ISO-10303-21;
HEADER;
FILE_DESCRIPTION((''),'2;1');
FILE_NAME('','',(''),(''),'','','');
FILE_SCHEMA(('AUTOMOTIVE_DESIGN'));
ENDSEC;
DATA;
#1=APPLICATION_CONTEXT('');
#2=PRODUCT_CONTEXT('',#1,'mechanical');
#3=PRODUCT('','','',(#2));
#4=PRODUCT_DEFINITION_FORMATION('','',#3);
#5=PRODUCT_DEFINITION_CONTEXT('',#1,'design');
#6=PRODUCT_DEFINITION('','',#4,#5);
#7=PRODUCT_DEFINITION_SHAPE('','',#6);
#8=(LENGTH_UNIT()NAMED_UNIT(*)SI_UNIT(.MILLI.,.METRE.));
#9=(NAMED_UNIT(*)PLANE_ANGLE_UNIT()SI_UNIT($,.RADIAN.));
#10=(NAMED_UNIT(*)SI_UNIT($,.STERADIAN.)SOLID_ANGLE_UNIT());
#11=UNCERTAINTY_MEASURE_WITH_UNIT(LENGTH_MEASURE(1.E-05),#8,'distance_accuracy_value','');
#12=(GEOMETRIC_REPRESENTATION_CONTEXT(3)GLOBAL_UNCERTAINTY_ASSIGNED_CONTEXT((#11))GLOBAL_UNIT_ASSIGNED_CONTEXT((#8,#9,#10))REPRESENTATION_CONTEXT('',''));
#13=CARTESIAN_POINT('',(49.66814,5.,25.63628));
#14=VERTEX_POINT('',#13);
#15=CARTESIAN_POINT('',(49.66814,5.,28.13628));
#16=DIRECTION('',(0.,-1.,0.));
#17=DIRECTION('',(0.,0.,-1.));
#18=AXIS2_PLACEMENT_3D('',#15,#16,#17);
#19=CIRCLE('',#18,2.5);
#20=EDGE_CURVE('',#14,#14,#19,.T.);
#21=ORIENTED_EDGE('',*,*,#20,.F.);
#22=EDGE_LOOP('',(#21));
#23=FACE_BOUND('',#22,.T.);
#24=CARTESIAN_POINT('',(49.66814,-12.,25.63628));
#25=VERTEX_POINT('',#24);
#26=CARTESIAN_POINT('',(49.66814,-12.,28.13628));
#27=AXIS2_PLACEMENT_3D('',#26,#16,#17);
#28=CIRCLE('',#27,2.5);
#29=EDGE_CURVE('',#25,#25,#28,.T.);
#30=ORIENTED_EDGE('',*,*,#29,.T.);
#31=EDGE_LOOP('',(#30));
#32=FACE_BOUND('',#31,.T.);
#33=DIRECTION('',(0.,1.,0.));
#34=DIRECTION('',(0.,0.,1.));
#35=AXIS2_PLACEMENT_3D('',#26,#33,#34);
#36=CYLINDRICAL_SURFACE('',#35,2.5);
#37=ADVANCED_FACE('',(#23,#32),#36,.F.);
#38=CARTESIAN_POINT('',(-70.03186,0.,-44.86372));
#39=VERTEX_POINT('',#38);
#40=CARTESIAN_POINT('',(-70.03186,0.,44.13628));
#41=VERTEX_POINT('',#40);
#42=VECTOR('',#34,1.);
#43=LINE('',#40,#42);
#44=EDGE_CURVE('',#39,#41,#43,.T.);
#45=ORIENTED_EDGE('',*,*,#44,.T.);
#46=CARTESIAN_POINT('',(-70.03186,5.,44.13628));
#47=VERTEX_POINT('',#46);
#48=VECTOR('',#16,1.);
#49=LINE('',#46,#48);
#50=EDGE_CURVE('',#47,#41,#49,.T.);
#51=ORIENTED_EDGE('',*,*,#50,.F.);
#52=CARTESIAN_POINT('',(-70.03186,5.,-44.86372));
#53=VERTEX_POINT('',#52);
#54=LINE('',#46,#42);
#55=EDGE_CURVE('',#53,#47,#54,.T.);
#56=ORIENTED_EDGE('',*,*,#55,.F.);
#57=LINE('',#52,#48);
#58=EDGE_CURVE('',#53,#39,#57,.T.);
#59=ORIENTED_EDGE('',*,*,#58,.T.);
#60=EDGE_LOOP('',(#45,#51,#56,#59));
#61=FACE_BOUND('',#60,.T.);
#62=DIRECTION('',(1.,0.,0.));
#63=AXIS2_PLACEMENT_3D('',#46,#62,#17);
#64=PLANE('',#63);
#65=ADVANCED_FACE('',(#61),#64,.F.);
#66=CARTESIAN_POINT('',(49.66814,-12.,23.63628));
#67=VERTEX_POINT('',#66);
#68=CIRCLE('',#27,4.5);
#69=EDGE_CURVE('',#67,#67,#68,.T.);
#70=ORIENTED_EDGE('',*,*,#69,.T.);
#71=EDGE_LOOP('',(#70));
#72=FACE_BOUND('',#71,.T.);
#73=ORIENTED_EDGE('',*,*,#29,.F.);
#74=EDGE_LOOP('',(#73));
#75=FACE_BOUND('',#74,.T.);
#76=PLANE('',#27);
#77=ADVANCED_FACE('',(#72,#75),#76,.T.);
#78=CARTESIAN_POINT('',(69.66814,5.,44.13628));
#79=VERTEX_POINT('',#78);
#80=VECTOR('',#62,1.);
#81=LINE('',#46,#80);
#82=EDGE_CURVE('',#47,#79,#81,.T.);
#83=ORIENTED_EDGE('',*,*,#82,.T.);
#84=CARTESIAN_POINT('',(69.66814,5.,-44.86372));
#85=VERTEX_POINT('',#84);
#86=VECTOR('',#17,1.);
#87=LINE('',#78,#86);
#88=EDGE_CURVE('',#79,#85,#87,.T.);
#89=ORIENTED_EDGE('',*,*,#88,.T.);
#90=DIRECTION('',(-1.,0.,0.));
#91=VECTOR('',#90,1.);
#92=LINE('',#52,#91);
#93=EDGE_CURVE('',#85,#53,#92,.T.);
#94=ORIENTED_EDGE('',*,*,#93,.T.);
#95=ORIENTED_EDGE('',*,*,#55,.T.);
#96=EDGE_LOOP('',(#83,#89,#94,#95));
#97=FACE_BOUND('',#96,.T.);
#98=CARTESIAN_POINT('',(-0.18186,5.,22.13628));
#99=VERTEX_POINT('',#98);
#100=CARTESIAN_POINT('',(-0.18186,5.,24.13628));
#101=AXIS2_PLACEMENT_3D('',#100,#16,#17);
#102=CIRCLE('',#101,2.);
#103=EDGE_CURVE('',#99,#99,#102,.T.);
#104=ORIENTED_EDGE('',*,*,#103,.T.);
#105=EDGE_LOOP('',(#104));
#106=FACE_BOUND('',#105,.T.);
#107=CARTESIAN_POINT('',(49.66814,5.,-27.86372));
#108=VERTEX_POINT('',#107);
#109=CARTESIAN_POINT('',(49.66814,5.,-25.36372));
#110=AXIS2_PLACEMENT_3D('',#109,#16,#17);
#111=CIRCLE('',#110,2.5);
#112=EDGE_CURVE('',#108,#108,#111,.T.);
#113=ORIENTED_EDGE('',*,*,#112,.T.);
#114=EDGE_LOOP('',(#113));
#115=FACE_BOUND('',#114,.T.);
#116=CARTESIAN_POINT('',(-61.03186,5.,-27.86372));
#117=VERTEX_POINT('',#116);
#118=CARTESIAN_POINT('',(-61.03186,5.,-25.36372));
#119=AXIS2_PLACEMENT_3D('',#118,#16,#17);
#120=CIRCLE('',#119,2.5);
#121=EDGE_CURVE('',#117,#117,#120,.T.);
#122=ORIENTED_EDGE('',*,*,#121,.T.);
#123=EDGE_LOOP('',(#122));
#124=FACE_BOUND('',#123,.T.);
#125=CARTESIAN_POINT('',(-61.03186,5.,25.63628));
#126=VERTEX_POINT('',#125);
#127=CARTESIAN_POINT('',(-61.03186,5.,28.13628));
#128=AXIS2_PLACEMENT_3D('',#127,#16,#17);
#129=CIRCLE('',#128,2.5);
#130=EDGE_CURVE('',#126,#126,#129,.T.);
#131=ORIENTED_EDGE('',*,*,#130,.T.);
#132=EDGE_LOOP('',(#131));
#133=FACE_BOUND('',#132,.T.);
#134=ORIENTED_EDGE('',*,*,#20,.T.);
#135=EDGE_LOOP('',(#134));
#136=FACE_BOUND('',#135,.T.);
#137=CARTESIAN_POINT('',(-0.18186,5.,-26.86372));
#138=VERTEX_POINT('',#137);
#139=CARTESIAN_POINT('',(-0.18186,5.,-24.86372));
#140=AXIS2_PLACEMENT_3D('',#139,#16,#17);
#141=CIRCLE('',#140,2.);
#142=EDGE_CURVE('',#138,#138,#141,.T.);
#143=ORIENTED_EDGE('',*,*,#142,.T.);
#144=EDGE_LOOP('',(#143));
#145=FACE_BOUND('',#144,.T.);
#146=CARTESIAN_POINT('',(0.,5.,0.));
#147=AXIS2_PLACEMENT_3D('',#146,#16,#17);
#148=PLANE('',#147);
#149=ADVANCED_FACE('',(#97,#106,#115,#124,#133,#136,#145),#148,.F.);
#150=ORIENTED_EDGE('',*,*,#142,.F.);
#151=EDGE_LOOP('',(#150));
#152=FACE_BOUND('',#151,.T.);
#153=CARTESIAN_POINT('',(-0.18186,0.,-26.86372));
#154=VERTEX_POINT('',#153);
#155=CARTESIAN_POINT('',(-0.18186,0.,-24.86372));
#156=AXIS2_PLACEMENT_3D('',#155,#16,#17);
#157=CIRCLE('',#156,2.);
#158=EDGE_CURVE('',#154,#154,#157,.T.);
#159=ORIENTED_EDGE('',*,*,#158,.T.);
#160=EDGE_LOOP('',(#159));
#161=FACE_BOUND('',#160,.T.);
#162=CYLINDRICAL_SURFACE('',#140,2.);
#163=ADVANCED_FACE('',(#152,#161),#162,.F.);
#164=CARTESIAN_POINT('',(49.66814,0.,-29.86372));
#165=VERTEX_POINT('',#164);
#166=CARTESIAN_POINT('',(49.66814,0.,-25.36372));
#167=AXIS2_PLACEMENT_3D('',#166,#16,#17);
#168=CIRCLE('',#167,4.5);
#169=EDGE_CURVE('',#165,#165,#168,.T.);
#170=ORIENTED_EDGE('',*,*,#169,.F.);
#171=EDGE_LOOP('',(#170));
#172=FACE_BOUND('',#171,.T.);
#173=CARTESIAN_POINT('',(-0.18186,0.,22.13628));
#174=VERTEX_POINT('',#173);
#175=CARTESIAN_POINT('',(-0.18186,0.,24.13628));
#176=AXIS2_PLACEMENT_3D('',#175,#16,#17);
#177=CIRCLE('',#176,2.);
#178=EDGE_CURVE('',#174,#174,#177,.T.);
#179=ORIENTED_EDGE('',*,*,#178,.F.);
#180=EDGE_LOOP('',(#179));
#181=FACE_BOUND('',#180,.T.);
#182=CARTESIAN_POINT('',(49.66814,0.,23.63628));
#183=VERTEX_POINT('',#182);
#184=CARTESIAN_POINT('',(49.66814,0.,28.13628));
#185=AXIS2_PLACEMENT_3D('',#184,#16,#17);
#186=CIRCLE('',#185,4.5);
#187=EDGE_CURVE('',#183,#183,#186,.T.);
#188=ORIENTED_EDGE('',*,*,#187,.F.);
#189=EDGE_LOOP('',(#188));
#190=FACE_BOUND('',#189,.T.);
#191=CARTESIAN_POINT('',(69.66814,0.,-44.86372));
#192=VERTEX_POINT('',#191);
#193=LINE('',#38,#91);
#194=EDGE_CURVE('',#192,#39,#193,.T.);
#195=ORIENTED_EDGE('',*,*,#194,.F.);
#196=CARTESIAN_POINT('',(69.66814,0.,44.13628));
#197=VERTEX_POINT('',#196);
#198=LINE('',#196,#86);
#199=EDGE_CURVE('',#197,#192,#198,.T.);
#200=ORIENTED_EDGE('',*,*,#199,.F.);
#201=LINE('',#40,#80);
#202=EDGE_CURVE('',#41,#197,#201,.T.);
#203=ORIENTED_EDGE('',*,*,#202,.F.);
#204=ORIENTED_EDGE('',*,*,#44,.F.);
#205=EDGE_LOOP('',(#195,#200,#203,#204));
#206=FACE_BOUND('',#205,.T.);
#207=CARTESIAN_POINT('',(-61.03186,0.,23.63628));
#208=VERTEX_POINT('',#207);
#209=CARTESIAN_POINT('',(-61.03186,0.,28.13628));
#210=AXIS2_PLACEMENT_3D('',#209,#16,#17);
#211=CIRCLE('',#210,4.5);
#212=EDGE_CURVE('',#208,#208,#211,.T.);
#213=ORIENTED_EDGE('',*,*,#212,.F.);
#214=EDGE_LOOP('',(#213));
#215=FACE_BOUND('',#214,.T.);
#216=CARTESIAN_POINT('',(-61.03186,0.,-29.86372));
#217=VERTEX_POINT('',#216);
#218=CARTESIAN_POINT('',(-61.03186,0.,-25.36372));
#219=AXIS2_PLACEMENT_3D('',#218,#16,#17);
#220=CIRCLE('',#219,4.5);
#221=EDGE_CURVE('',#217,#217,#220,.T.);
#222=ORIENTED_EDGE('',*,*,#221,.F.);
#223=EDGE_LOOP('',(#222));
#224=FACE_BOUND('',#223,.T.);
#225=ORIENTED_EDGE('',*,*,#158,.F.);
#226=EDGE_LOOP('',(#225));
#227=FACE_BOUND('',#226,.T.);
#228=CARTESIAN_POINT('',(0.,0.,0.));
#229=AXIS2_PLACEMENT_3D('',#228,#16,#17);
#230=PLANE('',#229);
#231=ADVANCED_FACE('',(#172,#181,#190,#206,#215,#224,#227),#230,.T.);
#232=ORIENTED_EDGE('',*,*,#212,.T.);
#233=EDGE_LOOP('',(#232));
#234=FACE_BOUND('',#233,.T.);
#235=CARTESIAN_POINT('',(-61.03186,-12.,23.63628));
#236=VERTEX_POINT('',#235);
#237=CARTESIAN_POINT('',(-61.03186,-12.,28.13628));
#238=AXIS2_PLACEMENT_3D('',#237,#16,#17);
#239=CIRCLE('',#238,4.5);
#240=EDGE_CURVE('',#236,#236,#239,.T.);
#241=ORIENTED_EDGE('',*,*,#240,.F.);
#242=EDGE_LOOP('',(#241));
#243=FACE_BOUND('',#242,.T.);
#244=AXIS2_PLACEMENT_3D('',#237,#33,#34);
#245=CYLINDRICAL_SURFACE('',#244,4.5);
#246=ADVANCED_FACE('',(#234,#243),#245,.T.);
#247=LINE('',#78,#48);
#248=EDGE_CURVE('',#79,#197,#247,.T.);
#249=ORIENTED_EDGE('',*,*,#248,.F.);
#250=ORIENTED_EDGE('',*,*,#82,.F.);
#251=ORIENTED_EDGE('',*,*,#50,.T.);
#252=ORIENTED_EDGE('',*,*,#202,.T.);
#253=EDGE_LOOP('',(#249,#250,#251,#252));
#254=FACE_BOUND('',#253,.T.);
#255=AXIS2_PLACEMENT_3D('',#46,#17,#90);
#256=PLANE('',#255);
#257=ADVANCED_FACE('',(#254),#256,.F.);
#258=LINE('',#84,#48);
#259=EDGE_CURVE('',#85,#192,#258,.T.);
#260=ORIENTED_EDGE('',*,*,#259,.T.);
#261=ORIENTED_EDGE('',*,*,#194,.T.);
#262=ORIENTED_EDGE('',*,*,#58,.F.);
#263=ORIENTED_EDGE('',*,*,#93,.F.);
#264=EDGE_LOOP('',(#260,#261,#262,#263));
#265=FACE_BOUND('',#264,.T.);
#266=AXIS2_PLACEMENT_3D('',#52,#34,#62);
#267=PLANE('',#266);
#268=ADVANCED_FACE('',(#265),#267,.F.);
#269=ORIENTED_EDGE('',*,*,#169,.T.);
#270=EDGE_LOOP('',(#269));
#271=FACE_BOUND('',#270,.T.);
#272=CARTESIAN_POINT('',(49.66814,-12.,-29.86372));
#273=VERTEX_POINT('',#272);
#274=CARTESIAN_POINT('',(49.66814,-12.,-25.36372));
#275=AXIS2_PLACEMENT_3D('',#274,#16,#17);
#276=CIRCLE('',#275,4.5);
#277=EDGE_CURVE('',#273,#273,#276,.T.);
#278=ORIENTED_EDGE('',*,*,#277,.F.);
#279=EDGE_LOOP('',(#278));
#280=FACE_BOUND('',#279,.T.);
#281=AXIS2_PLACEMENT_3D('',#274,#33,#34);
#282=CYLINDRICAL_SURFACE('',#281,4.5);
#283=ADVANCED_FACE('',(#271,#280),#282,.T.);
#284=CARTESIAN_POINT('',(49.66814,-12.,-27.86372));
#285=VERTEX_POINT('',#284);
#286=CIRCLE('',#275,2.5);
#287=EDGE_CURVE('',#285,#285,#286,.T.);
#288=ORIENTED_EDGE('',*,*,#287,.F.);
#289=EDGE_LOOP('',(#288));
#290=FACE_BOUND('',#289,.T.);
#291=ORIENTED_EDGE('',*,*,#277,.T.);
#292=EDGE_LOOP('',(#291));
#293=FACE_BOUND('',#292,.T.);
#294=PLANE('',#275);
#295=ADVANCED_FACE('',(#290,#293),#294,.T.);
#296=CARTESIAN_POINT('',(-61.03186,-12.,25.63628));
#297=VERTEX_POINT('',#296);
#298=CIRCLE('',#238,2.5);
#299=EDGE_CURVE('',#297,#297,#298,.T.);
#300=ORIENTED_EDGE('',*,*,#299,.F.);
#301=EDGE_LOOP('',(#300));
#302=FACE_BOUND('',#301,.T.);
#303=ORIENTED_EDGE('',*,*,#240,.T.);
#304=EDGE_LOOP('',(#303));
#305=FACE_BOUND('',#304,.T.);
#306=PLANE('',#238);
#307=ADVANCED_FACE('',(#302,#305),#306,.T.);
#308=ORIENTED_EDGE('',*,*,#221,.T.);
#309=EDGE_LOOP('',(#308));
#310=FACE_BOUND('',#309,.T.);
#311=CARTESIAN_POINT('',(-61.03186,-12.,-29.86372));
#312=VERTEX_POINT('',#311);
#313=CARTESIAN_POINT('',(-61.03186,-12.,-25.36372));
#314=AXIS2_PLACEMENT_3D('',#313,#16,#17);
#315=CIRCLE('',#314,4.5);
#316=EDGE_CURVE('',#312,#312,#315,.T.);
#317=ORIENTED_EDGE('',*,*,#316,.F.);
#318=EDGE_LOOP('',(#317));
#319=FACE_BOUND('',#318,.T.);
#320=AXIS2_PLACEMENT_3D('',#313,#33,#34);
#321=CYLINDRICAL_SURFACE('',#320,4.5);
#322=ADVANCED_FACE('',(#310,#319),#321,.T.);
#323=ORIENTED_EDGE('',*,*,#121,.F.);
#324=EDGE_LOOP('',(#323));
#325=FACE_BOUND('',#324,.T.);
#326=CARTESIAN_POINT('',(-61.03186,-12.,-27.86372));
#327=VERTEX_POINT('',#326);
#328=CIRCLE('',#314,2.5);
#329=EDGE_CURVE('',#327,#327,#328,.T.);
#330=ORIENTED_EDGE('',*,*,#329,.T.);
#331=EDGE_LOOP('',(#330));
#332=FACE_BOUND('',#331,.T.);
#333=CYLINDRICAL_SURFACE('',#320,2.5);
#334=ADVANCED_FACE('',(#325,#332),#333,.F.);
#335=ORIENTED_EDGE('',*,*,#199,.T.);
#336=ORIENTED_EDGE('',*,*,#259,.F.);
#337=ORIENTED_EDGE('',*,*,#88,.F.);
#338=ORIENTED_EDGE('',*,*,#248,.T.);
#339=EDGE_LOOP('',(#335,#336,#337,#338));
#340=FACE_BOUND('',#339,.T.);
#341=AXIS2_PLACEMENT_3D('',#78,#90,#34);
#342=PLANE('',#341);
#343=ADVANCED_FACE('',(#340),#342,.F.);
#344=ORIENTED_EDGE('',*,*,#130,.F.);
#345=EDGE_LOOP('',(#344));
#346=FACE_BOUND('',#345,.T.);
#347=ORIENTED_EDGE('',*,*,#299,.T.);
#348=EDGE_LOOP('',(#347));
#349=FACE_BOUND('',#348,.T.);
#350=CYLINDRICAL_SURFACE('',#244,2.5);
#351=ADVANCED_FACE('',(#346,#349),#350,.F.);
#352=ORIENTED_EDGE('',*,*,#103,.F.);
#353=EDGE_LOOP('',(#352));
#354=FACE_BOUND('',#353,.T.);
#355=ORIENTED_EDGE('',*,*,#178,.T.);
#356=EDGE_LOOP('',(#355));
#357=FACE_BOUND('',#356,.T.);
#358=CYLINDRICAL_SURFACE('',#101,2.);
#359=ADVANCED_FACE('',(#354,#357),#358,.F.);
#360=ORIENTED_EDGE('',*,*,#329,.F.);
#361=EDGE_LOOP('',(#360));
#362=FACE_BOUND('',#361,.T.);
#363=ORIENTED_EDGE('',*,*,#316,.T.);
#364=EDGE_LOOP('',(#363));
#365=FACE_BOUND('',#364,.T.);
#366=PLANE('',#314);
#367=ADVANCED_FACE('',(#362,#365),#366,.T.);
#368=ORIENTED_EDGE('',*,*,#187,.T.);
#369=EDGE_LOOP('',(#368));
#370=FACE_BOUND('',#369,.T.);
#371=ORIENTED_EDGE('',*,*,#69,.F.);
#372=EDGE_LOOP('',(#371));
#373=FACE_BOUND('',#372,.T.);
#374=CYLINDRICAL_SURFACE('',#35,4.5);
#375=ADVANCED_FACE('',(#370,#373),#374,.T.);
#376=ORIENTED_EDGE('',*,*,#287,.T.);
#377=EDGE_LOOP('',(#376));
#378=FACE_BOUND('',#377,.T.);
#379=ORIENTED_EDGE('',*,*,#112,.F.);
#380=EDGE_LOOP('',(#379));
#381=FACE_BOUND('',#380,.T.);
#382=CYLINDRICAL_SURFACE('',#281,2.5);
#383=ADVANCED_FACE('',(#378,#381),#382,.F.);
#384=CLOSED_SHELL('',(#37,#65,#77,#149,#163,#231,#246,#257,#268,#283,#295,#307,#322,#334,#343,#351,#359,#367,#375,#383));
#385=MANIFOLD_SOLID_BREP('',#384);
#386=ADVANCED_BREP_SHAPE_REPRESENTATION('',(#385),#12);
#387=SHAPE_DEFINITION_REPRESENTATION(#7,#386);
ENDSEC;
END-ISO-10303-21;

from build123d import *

# Parameters (mm, degrees)
SKETCH1_W           = 139.7
SKETCH1_H           = 89
BOSS_EXTRUDE1_DEPTH = 5
SKETCH4_R           = 4.5
SKETCH4_R_2         = 2.5
BOSS_EXTRUDE2_DEPTH = 12
SKETCH12_R          = 2
CUT_EXTRUDE1_DEPTH  = 5
CUT_EXTRUDE2_START  = -10
SKETCH13_R          = 2.5
CUT_EXTRUDE2_DEPTH  = 10


with BuildPart() as part:
    # Sketch1 → Boss-Extrude1 (new body)
    with BuildSketch(Plane(origin=(0, 0, 0), x_dir=(1, 0, 0), z_dir=(0, 1, 0))):
        with Locations((-0.18185994, 0.363719879)):
            Rectangle(SKETCH1_W, SKETCH1_H)
    extrude(amount=BOSS_EXTRUDE1_DEPTH)

    # Sketch4 → Boss-Extrude2 (add)
    # profile 1 of 4: a face of its own
    with BuildSketch(Plane.XZ):
        with Locations(Location((-61.03185994, 28.136280121, 0), (0, 0, 270))):
            Circle(SKETCH4_R)
        with Locations(Location((-61.03185994, 28.136280121, 0), (0, 0, 270))):
            Circle(SKETCH4_R_2, mode=Mode.SUBTRACT)
    # profile 2 of 4: a face of its own
    with BuildSketch(Plane.XZ):
        with Locations(Location((49.66814006, 28.136280121, 0), (0, 0, 270))):
            Circle(SKETCH4_R)
        with Locations(Location((49.66814006, 28.136280121, 0), (0, 0, 270))):
            Circle(SKETCH4_R_2, mode=Mode.SUBTRACT)
    # profile 3 of 4: a face of its own
    with BuildSketch(Plane.XZ):
        with Locations(Location((-61.03185994, -25.363719879, 0), (0, 0, 270))):
            Circle(SKETCH4_R)
        with Locations(Location((-61.03185994, -25.363719879, 0), (0, 0, 270))):
            Circle(SKETCH4_R_2, mode=Mode.SUBTRACT)
    # profile 4 of 4: a face of its own
    with BuildSketch(Plane.XZ):
        with Locations(Location((49.66814006, -25.363719879, 0), (0, 0, 270))):
            Circle(SKETCH4_R)
        with Locations(Location((49.66814006, -25.363719879, 0), (0, 0, 270))):
            Circle(SKETCH4_R_2, mode=Mode.SUBTRACT)
    extrude(amount=BOSS_EXTRUDE2_DEPTH)

    # Sketch12 → Cut-Extrude1 (cut)
    with BuildSketch(Plane.XZ):
        with Locations(Location((-0.18185994, 24.136280121, 0), (0, 0, 270))):
            Circle(SKETCH12_R)
        with Locations(Location((-0.18185994, -24.863719879, 0), (0, 0, 270))):
            Circle(SKETCH12_R)
    extrude(amount=-CUT_EXTRUDE1_DEPTH, mode=Mode.SUBTRACT)

    # Sketch13 → Cut-Extrude2 (cut)
    with BuildSketch(Plane.XZ.offset(CUT_EXTRUDE2_START)):
        with Locations(Location((-61.03185994, 28.136280121, 0), (0, 0, 270))):
            Circle(SKETCH13_R)
        with Locations(Location((-61.03185994, -25.363719879, 0), (0, 0, 270))):
            Circle(SKETCH13_R)
        with Locations(Location((49.66814006, -25.363719879, 0), (0, 0, 270))):
            Circle(SKETCH13_R)
        with Locations(Location((49.66814006, 28.136280121, 0), (0, 0, 270))):
            Circle(SKETCH13_R)
    extrude(amount=CUT_EXTRUDE2_DEPTH, mode=Mode.SUBTRACT)


solid = part.part
